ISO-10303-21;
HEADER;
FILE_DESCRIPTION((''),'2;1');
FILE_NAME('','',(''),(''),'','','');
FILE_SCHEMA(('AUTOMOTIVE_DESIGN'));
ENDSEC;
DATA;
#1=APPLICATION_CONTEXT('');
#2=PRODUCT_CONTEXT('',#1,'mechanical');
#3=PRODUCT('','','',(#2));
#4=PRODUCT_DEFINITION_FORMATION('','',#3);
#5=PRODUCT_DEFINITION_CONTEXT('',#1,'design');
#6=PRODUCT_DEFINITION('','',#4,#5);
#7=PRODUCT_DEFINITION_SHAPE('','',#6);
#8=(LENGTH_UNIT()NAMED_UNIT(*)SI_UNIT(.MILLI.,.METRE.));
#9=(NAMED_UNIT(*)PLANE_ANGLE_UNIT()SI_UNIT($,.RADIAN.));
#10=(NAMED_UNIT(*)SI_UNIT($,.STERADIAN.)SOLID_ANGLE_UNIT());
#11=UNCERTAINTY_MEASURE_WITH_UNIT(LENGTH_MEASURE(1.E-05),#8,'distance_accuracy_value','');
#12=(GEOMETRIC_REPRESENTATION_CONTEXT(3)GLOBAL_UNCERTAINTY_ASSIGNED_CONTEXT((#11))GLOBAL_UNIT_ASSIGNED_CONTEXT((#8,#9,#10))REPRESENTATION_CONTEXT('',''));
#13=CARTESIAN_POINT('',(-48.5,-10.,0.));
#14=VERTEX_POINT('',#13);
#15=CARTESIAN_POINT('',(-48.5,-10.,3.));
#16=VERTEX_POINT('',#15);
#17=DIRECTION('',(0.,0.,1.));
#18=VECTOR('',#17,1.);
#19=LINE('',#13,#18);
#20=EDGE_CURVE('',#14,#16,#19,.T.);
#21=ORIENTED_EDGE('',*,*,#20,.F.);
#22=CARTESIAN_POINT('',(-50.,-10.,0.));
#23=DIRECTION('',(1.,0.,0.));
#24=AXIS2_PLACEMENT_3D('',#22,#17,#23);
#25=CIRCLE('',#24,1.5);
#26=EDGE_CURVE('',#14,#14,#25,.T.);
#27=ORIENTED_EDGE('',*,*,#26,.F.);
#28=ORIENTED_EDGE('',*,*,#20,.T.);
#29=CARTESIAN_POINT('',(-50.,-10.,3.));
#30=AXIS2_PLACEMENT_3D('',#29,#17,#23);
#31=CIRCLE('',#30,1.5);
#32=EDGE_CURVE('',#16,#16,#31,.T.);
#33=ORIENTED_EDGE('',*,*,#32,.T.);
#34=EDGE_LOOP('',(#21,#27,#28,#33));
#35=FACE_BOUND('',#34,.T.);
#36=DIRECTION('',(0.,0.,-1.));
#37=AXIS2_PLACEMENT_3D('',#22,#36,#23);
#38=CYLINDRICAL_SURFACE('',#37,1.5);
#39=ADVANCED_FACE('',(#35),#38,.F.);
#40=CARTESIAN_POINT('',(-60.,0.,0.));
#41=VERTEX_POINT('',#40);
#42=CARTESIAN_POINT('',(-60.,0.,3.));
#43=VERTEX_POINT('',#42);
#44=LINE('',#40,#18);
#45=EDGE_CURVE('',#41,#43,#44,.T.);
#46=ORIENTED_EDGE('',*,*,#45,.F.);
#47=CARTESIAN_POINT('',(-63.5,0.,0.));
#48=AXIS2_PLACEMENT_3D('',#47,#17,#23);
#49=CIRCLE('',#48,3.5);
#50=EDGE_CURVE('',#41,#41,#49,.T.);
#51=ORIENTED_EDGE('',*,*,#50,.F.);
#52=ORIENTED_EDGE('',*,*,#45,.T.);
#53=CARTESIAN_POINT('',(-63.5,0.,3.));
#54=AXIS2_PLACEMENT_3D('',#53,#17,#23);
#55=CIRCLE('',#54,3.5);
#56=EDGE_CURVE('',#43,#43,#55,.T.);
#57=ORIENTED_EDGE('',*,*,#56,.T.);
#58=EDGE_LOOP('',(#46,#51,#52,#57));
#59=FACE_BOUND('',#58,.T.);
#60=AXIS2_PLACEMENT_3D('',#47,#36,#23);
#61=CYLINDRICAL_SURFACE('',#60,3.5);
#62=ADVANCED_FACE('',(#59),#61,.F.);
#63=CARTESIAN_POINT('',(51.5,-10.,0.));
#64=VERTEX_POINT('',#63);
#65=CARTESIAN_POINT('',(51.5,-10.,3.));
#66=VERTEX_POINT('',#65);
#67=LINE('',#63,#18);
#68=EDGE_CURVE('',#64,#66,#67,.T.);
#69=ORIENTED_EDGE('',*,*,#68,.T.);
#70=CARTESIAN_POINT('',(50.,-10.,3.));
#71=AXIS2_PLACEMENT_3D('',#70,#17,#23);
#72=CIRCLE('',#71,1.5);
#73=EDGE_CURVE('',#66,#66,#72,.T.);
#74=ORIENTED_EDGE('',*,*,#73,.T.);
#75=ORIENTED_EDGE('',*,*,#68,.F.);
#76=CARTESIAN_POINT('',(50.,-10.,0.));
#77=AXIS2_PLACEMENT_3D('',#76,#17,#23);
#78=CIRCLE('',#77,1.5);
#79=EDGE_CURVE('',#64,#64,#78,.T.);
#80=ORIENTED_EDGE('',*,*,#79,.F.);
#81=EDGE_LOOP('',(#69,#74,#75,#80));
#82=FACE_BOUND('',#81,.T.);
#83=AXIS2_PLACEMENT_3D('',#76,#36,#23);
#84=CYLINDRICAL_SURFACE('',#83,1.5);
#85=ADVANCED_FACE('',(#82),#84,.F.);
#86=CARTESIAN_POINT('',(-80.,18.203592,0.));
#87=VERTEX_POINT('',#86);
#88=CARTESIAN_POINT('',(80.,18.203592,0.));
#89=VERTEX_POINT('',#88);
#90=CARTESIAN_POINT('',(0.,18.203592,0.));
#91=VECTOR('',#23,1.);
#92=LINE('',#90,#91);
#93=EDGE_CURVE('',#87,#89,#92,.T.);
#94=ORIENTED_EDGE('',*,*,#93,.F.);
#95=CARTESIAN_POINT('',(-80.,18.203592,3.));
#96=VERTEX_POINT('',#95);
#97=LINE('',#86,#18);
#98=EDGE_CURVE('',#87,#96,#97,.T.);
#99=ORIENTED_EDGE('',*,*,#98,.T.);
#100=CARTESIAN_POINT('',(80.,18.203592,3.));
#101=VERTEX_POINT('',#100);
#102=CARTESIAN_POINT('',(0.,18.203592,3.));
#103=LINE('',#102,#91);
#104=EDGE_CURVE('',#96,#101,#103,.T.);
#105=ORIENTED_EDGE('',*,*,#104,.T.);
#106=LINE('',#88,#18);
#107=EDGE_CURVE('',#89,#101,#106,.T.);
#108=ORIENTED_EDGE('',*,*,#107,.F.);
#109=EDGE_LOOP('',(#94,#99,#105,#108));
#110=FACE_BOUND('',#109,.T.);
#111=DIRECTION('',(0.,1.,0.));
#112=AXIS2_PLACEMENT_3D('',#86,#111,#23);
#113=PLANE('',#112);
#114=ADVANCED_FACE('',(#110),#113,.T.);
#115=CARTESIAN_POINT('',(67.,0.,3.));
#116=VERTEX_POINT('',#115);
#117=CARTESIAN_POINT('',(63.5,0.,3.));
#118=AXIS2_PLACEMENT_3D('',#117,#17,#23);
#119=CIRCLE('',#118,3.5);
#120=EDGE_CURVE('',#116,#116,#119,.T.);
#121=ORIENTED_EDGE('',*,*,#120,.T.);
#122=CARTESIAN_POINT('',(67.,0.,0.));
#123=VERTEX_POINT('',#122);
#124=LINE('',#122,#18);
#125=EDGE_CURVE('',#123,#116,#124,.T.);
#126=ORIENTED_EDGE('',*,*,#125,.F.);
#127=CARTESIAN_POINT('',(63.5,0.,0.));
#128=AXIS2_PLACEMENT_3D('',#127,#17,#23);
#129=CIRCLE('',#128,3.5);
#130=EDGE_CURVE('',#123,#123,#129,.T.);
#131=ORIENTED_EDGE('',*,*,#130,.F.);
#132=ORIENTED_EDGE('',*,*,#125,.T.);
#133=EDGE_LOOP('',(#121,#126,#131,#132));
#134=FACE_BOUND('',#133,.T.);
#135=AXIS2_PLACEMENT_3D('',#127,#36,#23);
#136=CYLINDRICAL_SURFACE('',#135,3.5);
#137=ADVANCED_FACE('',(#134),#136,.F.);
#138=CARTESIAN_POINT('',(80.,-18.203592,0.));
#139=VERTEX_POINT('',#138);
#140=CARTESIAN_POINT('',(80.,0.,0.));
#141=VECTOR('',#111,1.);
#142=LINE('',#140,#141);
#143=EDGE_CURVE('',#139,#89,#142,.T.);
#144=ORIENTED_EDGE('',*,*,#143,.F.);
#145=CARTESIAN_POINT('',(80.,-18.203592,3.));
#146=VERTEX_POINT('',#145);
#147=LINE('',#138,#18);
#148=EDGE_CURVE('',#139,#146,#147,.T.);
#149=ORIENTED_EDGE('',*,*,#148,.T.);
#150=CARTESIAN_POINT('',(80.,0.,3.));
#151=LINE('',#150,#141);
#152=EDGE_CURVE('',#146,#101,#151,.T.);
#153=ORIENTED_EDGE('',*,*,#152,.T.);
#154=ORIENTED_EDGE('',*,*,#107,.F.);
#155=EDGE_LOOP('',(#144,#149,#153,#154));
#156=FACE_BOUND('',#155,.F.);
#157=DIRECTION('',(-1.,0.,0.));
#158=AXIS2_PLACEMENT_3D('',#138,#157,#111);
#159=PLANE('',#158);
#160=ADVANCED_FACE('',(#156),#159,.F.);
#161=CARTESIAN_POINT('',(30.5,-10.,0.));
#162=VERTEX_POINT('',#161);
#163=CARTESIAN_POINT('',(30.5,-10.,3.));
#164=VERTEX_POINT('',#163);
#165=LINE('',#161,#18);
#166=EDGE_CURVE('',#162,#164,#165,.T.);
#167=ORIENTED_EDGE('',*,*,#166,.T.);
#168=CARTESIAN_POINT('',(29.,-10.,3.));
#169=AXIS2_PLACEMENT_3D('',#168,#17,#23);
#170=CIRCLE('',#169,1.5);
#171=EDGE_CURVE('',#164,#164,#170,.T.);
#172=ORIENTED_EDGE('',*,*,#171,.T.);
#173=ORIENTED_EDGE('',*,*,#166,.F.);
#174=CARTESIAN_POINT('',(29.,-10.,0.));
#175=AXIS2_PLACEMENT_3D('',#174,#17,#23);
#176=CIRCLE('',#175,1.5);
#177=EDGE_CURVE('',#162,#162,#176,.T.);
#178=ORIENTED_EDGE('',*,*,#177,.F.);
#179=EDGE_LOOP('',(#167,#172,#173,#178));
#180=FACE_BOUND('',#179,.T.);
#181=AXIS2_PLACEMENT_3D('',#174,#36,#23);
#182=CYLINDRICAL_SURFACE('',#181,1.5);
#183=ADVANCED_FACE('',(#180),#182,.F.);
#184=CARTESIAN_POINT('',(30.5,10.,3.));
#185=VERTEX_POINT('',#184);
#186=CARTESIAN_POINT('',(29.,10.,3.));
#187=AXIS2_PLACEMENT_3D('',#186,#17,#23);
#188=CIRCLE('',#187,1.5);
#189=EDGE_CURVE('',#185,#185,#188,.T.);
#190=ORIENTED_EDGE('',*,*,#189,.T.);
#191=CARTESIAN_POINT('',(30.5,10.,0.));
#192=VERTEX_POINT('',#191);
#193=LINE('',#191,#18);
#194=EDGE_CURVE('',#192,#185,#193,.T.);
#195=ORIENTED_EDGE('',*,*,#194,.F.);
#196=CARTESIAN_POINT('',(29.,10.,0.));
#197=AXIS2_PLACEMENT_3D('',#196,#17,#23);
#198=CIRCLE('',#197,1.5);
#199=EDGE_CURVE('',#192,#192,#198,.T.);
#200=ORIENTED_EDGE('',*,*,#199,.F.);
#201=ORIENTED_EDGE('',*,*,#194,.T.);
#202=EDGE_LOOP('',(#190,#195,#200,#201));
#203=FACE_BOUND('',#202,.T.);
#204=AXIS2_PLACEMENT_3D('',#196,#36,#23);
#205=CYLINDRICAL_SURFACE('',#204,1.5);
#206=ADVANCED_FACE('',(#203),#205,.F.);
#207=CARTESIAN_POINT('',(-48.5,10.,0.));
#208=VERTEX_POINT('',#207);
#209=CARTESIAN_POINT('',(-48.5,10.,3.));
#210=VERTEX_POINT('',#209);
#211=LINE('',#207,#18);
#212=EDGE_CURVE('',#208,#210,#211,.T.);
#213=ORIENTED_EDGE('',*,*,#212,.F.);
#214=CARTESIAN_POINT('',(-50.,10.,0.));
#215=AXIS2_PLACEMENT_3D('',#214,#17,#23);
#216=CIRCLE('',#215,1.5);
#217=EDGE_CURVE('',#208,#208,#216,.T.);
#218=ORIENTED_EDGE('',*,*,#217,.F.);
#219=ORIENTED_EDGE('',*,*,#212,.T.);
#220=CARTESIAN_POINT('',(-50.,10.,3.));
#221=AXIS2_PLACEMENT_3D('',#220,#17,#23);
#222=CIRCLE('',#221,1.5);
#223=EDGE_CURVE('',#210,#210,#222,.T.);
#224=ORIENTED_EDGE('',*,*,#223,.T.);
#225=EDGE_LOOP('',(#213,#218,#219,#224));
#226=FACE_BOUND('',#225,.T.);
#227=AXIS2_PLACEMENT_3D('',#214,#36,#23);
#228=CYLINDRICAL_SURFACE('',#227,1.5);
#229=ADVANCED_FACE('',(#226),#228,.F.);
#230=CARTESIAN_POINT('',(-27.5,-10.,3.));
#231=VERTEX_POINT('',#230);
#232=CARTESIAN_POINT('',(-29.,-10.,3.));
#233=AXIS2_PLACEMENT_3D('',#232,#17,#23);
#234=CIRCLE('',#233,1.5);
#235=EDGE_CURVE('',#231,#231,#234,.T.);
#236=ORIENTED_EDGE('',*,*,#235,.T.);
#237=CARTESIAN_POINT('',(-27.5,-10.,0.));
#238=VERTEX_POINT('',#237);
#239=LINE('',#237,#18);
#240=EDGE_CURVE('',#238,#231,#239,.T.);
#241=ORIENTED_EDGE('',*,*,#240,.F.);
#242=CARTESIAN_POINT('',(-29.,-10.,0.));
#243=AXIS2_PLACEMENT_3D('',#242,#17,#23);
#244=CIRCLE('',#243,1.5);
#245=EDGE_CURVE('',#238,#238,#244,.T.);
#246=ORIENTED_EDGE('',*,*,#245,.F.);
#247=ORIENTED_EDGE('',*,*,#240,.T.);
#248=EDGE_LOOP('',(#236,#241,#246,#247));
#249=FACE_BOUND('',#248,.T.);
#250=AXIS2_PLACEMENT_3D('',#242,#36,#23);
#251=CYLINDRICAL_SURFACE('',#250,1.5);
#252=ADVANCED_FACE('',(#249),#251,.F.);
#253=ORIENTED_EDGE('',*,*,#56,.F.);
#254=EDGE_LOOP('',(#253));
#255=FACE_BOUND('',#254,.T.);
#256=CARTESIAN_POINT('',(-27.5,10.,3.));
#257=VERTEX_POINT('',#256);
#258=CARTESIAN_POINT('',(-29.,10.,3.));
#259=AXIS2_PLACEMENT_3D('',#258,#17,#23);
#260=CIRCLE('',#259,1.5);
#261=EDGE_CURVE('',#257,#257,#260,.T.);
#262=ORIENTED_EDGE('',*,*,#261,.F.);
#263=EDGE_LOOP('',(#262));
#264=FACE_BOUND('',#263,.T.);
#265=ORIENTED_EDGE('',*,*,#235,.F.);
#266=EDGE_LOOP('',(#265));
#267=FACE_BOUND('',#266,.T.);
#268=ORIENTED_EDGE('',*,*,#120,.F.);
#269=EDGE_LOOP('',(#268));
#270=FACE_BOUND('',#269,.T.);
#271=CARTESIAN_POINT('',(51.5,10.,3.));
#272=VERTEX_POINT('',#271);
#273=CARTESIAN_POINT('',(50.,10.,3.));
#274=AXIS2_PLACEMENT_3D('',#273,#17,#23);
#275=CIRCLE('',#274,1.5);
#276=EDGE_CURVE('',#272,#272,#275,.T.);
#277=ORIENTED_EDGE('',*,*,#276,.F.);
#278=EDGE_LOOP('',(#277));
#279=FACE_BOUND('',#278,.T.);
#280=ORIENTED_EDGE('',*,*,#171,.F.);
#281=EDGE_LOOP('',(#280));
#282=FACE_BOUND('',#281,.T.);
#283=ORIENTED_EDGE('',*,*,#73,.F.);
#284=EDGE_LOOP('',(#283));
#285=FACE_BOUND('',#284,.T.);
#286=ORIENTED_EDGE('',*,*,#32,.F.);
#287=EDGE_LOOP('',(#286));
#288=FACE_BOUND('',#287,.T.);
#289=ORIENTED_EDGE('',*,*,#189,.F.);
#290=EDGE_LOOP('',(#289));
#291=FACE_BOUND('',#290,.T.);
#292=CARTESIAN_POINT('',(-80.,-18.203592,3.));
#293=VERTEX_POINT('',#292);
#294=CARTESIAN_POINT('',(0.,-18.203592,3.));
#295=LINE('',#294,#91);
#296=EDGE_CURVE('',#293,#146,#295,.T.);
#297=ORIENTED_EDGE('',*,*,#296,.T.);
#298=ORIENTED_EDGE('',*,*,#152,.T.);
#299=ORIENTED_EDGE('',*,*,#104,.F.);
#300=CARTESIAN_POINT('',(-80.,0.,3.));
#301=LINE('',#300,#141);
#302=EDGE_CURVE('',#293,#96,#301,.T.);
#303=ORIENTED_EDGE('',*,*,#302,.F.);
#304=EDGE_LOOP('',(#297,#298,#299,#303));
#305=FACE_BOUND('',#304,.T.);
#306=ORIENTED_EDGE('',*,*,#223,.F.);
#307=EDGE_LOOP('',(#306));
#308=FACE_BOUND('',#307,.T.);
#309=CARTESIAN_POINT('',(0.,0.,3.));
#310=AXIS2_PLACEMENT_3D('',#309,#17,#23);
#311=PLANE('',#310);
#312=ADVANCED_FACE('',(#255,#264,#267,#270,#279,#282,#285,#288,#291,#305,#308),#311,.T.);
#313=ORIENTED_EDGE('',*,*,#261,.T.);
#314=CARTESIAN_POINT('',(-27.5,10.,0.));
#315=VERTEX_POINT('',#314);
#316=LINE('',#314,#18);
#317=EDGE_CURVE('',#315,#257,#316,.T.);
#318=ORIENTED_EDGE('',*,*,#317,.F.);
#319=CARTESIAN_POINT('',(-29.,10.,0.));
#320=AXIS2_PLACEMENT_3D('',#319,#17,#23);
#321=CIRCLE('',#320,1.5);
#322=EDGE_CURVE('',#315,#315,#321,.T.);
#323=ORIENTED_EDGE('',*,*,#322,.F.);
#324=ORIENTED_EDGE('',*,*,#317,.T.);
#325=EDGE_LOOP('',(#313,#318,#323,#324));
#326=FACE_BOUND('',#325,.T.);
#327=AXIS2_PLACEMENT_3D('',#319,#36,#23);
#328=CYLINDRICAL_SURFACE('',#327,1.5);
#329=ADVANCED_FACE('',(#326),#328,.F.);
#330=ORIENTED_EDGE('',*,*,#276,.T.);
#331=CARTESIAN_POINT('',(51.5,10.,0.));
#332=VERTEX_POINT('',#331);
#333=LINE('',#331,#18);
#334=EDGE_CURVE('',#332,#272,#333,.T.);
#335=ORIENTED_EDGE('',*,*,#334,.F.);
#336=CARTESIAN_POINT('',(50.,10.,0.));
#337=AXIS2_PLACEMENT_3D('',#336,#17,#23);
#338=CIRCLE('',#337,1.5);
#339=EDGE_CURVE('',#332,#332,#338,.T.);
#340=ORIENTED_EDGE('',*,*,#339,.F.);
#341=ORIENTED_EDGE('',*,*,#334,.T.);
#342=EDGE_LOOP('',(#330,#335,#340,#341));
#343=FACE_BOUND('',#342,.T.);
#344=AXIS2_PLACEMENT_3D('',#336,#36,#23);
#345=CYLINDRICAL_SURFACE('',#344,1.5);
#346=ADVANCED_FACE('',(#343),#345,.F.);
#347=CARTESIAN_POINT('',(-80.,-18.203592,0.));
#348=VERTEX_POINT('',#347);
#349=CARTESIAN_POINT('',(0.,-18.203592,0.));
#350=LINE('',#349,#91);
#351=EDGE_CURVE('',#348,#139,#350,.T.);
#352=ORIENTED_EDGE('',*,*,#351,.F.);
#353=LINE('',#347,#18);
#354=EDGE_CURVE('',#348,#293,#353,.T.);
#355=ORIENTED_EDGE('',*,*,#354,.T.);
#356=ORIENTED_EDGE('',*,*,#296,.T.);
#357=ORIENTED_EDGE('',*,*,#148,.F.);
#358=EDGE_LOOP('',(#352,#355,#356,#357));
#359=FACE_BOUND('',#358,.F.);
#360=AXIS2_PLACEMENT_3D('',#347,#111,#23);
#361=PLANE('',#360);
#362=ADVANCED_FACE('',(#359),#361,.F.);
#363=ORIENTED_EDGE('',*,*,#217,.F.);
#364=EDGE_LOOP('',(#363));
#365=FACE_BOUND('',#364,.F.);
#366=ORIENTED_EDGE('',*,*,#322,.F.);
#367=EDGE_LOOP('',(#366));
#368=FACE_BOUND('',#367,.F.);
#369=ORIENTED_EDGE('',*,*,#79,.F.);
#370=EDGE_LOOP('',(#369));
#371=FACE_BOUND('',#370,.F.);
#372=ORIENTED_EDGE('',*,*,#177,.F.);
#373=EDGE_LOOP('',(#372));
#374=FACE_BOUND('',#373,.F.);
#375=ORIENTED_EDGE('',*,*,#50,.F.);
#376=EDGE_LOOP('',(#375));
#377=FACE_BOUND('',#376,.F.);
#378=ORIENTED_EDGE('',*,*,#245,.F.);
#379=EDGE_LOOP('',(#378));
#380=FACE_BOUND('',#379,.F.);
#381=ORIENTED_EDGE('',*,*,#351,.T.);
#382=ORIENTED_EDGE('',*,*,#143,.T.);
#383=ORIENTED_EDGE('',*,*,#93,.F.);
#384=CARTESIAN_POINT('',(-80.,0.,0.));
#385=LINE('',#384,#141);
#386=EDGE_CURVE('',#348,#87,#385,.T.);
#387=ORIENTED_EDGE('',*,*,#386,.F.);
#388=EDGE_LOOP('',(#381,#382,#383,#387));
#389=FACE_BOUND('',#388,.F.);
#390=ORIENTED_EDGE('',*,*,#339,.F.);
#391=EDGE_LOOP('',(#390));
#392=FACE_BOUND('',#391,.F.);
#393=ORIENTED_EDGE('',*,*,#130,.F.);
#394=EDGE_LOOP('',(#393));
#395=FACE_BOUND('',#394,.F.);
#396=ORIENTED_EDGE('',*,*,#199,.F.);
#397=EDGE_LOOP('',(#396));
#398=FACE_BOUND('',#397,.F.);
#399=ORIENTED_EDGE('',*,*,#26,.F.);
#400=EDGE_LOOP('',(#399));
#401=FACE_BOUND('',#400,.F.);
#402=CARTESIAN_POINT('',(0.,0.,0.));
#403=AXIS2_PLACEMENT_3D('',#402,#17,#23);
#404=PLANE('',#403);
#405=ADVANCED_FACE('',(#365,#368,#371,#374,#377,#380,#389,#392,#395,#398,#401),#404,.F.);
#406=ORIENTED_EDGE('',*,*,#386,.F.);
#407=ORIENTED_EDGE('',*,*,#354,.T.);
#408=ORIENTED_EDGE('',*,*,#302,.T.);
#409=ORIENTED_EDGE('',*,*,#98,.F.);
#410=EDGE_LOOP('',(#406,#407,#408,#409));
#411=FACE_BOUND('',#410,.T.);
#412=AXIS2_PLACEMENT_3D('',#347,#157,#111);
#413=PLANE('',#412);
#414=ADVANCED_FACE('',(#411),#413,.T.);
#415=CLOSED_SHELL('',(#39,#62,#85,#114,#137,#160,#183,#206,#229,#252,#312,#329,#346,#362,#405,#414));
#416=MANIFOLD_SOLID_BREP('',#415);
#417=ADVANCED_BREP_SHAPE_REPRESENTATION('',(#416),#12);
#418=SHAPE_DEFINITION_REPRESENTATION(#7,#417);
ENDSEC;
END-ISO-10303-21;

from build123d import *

# Parameters (mm, degrees)
F0_W     = 160
F0_H     = 36.407184
F0_R     = 1.5
F0_R_2   = 3.5
F1_DEPTH = 3


with BuildPart() as f1:
    # F0 (on Top) → F1 (new body)
    with BuildSketch(Plane.XY):
        Rectangle(F0_W, F0_H)
        with Locations((-50, -10)):
            Circle(F0_R, mode=Mode.SUBTRACT)
        with Locations((-29, -10)):
            Circle(F0_R, mode=Mode.SUBTRACT)
        with Locations((29, -10)):
            Circle(F0_R, mode=Mode.SUBTRACT)
        with Locations((50, -10)):
            Circle(F0_R, mode=Mode.SUBTRACT)
        with Locations((-63.5, 0)):
            Circle(F0_R_2, mode=Mode.SUBTRACT)
        with Locations((-50, 10)):
            Circle(F0_R, mode=Mode.SUBTRACT)
        with Locations((-29, 10)):
            Circle(F0_R, mode=Mode.SUBTRACT)
        with Locations((63.5, 0)):
            Circle(F0_R_2, mode=Mode.SUBTRACT)
        with Locations((29, 10)):
            Circle(F0_R, mode=Mode.SUBTRACT)
        with Locations((50, 10)):
            Circle(F0_R, mode=Mode.SUBTRACT)
    extrude(amount=F1_DEPTH)


solid = f1.part
